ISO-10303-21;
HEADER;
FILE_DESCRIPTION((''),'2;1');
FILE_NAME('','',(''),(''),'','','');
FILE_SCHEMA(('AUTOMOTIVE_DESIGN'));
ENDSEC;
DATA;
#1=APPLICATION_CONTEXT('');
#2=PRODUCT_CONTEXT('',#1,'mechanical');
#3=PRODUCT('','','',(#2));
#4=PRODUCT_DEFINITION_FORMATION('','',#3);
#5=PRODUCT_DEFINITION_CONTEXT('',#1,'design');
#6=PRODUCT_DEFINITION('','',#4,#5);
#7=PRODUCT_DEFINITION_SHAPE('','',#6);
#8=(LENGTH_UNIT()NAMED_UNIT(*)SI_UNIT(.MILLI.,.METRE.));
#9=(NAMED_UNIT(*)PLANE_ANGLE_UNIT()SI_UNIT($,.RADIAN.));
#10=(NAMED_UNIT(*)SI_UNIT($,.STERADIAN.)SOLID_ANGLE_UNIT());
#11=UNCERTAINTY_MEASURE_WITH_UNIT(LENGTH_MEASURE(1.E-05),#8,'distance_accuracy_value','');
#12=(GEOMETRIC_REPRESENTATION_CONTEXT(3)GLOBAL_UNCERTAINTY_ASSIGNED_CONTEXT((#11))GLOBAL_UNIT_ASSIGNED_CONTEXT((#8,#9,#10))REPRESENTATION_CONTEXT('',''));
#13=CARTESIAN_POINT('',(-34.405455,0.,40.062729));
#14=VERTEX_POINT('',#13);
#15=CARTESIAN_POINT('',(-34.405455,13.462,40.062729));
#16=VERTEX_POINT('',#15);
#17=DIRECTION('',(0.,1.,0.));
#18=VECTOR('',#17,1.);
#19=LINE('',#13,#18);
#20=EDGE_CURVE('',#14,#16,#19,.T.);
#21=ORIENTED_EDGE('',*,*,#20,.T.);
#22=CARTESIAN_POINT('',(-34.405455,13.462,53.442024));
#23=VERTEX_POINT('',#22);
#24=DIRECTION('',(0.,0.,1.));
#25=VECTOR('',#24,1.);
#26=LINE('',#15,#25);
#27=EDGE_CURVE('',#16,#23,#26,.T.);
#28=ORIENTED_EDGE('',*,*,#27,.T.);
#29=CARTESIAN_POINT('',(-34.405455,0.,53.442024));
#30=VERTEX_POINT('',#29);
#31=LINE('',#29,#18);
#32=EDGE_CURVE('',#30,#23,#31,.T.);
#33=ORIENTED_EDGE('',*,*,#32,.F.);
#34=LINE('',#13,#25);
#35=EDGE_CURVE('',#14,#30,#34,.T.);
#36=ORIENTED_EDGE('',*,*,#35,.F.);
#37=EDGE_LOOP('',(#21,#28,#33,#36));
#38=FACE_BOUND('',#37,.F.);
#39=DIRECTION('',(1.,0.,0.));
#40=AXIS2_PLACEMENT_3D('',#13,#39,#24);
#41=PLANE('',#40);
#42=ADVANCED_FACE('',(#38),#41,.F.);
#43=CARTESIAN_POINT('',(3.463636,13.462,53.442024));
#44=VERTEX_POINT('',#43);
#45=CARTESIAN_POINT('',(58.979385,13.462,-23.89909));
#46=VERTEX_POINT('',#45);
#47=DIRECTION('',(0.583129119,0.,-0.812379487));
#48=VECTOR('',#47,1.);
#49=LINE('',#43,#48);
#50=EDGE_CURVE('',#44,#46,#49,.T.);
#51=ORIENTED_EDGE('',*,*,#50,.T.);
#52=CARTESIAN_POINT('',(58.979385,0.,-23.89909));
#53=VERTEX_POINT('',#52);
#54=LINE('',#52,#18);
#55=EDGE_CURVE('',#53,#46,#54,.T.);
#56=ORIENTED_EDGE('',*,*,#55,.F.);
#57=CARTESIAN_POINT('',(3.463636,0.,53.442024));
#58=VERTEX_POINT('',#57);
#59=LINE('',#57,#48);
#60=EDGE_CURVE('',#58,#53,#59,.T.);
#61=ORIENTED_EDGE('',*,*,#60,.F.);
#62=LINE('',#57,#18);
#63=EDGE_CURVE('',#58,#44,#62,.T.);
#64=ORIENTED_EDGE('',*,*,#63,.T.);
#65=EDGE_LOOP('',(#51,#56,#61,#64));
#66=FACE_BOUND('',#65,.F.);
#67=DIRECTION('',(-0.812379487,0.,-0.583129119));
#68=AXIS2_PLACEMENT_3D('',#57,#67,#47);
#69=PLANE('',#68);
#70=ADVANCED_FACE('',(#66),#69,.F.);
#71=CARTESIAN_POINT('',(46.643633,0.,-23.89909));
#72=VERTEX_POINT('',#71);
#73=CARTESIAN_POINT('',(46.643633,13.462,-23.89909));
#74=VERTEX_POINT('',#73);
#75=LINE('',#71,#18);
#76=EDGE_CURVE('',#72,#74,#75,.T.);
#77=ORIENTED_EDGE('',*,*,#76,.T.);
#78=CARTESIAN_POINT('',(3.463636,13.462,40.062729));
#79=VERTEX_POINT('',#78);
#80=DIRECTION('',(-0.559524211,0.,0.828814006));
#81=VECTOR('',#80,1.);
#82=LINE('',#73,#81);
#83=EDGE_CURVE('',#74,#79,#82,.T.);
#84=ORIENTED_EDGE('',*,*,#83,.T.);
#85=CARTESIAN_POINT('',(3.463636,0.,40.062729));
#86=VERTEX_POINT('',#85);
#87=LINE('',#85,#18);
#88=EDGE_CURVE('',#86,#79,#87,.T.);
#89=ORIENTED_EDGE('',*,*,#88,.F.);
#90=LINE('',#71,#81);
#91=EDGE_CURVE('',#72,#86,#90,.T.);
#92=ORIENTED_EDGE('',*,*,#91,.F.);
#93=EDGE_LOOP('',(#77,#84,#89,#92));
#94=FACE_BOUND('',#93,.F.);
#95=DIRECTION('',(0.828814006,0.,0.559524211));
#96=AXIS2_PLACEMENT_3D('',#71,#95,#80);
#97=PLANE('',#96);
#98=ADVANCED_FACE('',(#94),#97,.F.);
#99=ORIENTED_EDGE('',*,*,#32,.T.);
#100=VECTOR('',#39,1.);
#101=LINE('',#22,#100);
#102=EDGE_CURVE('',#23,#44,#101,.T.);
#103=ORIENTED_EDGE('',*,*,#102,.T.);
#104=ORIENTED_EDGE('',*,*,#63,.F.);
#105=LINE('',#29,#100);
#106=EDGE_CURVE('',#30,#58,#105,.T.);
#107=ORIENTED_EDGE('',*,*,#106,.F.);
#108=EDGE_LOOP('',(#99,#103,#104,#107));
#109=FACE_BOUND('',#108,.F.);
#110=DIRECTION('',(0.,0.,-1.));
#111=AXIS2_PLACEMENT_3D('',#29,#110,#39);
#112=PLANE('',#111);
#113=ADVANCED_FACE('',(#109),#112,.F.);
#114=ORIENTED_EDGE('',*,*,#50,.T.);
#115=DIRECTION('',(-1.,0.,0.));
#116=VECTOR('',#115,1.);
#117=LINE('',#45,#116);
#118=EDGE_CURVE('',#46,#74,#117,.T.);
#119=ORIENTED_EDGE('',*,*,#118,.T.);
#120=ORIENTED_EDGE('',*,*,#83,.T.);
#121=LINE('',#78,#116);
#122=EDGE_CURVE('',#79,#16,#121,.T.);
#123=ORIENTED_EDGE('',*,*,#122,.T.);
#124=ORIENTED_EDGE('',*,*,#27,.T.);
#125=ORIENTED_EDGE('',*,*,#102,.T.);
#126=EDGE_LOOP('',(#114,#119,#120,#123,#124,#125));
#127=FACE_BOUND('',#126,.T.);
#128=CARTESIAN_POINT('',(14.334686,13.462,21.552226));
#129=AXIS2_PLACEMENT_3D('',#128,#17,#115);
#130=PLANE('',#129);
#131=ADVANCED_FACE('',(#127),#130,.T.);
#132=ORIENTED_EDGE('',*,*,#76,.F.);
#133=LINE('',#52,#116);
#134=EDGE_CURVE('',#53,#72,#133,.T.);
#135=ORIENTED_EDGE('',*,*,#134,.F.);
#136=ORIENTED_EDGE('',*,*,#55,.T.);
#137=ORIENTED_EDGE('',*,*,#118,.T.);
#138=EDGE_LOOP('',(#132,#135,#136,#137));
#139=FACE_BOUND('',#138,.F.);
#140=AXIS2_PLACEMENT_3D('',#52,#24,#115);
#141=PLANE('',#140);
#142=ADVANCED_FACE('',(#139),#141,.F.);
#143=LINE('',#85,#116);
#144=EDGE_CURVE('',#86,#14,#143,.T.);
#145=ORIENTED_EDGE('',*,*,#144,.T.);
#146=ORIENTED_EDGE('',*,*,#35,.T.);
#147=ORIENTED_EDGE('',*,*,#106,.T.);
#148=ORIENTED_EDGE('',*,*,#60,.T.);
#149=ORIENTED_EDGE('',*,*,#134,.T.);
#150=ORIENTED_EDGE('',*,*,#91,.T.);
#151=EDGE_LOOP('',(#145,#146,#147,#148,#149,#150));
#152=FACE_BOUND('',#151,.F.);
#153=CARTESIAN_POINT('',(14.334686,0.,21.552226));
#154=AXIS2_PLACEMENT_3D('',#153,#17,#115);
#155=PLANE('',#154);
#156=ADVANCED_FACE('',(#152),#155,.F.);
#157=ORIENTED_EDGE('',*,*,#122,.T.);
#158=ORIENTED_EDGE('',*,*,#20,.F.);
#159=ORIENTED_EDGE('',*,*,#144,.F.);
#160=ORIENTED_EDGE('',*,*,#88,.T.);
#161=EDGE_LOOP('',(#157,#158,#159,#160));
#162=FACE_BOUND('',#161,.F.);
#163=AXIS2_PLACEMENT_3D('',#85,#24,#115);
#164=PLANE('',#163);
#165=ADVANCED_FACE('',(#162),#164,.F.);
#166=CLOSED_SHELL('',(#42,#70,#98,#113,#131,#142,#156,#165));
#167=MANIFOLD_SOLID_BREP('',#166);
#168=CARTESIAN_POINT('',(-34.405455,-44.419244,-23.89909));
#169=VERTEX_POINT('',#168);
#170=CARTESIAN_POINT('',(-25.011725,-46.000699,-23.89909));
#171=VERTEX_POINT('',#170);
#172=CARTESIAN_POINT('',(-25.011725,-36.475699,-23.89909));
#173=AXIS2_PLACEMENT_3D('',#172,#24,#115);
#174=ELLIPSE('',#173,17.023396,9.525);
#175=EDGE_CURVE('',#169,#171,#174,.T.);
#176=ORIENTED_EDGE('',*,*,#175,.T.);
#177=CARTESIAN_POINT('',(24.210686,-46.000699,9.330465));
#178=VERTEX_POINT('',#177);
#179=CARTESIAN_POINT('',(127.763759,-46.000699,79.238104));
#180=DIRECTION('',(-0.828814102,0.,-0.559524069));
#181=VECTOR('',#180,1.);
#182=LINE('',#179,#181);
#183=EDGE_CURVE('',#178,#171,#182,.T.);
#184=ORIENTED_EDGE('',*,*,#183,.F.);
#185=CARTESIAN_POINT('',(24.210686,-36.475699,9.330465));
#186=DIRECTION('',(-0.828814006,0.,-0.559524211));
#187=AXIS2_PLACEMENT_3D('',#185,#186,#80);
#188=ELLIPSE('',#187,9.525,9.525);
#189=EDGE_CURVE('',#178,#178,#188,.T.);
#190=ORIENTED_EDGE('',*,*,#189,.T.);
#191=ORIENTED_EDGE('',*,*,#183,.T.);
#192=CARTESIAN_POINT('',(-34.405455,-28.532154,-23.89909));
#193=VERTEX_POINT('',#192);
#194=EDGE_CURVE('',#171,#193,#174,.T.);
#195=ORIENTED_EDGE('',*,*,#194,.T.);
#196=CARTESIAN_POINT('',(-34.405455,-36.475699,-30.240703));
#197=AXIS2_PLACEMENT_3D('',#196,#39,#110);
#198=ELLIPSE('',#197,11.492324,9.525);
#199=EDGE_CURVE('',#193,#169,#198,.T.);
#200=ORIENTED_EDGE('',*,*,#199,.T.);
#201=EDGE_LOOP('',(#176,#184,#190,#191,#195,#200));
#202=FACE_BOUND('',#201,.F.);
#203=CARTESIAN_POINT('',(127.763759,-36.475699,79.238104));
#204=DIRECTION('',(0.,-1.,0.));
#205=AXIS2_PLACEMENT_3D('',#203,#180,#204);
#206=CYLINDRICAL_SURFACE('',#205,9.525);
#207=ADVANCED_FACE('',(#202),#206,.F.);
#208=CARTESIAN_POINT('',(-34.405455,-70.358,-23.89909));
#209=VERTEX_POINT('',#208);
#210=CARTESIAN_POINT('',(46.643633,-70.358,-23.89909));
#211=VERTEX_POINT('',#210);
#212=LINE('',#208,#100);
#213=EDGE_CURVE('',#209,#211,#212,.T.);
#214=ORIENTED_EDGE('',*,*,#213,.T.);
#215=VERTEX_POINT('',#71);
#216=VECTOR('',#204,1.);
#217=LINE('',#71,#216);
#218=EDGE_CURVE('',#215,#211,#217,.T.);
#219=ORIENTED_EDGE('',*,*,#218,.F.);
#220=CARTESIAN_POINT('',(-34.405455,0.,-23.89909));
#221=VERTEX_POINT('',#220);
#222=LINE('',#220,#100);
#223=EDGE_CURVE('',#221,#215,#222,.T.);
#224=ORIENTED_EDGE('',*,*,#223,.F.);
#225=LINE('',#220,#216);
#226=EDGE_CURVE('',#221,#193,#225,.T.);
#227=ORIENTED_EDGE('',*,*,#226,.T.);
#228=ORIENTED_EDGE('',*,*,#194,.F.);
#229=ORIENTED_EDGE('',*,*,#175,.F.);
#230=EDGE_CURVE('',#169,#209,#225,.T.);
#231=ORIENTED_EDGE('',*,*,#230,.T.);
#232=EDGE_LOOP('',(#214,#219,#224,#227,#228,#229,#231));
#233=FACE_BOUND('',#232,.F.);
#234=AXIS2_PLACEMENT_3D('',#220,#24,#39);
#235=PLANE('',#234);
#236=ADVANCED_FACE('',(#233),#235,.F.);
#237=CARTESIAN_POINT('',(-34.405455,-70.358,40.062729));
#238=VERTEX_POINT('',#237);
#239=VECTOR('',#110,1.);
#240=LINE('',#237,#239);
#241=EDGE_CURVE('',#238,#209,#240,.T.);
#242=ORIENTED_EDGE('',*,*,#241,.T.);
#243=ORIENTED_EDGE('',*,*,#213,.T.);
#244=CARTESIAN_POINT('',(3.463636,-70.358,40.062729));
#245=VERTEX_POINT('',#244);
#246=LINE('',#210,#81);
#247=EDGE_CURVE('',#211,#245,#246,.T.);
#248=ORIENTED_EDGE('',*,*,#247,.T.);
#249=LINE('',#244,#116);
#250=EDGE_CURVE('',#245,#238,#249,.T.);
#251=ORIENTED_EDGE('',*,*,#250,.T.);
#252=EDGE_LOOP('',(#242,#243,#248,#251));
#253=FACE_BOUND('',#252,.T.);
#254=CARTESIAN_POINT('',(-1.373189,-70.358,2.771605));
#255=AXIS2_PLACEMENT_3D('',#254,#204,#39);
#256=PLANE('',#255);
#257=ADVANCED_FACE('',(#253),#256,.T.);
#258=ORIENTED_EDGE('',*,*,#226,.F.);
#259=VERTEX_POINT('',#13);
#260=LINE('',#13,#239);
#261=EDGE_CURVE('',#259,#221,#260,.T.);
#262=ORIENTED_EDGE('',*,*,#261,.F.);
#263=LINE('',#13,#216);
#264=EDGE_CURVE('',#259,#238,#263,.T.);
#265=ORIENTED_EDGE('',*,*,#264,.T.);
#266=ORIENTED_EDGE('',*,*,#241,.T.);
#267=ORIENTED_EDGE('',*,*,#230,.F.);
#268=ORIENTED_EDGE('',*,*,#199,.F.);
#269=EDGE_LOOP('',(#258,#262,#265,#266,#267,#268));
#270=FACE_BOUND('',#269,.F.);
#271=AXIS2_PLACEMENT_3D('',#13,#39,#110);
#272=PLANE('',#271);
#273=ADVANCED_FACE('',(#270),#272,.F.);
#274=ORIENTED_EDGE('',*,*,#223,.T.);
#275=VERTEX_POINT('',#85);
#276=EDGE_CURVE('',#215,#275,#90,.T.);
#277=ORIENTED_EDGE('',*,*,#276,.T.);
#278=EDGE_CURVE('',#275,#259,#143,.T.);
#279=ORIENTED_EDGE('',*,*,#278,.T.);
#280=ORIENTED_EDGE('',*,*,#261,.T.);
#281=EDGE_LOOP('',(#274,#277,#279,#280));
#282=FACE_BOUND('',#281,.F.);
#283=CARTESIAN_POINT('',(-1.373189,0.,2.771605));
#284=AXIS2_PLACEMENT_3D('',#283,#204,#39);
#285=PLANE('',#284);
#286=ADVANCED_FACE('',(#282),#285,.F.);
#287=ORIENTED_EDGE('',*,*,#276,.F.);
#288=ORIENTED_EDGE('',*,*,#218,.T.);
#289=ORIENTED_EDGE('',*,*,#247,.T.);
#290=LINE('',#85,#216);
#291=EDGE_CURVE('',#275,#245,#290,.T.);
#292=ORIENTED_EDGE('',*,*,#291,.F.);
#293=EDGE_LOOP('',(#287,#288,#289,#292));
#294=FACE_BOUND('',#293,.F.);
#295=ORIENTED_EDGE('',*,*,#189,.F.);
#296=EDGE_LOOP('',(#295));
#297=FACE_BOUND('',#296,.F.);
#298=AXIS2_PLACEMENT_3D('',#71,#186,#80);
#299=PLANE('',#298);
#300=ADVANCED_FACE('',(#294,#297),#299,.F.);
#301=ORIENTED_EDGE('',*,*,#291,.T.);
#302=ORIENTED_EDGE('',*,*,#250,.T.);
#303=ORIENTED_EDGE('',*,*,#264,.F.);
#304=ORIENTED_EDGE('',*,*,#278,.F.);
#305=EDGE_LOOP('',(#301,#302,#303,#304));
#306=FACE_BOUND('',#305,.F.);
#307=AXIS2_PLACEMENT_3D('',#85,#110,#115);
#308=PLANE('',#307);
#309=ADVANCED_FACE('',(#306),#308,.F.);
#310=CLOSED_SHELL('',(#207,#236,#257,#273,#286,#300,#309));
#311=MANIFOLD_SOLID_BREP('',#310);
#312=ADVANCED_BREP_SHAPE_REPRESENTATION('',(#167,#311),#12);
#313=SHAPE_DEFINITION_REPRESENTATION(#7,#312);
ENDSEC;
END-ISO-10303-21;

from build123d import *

# Parameters (mm, degrees)
F1_DEPTH = 70.358
F3_D     = 19.05
F5_DEPTH = 13.462


with BuildPart() as f1:
    # F0 (on Front) → F1 (new body)
    with BuildSketch(Plane.XZ):
        Polygon((-34.405455, 40.062729), (-34.405455, -23.89909), (46.643633, -23.89909), (3.463636, 40.062729), align=None)
    extrude(amount=F1_DEPTH)

    # F3 (through all)
    with Locations(Plane(origin=(20.958035, 0, 14.148564), x_dir=(0, 1, 0), z_dir=(0.828814, 0, 0.559524))):
        with Locations((-36.475699, -5.813245)):
            Hole(F3_D / 2)


with BuildPart() as f5:
    # F4 (on face) → F5 (new body)
    with BuildSketch(Plane(origin=(0, 0, 0), x_dir=(-1, 0, 0), z_dir=(0, 1, 0))):
        Polygon((-3.463636, 40.062729), (34.405455, 40.062729), (34.405455, 53.442024), (-3.463636, 53.442024), (-58.979385, -23.89909), (-46.643633, -23.89909), align=None)
    extrude(amount=F5_DEPTH)


solid = Compound([f1.part, f5.part])
